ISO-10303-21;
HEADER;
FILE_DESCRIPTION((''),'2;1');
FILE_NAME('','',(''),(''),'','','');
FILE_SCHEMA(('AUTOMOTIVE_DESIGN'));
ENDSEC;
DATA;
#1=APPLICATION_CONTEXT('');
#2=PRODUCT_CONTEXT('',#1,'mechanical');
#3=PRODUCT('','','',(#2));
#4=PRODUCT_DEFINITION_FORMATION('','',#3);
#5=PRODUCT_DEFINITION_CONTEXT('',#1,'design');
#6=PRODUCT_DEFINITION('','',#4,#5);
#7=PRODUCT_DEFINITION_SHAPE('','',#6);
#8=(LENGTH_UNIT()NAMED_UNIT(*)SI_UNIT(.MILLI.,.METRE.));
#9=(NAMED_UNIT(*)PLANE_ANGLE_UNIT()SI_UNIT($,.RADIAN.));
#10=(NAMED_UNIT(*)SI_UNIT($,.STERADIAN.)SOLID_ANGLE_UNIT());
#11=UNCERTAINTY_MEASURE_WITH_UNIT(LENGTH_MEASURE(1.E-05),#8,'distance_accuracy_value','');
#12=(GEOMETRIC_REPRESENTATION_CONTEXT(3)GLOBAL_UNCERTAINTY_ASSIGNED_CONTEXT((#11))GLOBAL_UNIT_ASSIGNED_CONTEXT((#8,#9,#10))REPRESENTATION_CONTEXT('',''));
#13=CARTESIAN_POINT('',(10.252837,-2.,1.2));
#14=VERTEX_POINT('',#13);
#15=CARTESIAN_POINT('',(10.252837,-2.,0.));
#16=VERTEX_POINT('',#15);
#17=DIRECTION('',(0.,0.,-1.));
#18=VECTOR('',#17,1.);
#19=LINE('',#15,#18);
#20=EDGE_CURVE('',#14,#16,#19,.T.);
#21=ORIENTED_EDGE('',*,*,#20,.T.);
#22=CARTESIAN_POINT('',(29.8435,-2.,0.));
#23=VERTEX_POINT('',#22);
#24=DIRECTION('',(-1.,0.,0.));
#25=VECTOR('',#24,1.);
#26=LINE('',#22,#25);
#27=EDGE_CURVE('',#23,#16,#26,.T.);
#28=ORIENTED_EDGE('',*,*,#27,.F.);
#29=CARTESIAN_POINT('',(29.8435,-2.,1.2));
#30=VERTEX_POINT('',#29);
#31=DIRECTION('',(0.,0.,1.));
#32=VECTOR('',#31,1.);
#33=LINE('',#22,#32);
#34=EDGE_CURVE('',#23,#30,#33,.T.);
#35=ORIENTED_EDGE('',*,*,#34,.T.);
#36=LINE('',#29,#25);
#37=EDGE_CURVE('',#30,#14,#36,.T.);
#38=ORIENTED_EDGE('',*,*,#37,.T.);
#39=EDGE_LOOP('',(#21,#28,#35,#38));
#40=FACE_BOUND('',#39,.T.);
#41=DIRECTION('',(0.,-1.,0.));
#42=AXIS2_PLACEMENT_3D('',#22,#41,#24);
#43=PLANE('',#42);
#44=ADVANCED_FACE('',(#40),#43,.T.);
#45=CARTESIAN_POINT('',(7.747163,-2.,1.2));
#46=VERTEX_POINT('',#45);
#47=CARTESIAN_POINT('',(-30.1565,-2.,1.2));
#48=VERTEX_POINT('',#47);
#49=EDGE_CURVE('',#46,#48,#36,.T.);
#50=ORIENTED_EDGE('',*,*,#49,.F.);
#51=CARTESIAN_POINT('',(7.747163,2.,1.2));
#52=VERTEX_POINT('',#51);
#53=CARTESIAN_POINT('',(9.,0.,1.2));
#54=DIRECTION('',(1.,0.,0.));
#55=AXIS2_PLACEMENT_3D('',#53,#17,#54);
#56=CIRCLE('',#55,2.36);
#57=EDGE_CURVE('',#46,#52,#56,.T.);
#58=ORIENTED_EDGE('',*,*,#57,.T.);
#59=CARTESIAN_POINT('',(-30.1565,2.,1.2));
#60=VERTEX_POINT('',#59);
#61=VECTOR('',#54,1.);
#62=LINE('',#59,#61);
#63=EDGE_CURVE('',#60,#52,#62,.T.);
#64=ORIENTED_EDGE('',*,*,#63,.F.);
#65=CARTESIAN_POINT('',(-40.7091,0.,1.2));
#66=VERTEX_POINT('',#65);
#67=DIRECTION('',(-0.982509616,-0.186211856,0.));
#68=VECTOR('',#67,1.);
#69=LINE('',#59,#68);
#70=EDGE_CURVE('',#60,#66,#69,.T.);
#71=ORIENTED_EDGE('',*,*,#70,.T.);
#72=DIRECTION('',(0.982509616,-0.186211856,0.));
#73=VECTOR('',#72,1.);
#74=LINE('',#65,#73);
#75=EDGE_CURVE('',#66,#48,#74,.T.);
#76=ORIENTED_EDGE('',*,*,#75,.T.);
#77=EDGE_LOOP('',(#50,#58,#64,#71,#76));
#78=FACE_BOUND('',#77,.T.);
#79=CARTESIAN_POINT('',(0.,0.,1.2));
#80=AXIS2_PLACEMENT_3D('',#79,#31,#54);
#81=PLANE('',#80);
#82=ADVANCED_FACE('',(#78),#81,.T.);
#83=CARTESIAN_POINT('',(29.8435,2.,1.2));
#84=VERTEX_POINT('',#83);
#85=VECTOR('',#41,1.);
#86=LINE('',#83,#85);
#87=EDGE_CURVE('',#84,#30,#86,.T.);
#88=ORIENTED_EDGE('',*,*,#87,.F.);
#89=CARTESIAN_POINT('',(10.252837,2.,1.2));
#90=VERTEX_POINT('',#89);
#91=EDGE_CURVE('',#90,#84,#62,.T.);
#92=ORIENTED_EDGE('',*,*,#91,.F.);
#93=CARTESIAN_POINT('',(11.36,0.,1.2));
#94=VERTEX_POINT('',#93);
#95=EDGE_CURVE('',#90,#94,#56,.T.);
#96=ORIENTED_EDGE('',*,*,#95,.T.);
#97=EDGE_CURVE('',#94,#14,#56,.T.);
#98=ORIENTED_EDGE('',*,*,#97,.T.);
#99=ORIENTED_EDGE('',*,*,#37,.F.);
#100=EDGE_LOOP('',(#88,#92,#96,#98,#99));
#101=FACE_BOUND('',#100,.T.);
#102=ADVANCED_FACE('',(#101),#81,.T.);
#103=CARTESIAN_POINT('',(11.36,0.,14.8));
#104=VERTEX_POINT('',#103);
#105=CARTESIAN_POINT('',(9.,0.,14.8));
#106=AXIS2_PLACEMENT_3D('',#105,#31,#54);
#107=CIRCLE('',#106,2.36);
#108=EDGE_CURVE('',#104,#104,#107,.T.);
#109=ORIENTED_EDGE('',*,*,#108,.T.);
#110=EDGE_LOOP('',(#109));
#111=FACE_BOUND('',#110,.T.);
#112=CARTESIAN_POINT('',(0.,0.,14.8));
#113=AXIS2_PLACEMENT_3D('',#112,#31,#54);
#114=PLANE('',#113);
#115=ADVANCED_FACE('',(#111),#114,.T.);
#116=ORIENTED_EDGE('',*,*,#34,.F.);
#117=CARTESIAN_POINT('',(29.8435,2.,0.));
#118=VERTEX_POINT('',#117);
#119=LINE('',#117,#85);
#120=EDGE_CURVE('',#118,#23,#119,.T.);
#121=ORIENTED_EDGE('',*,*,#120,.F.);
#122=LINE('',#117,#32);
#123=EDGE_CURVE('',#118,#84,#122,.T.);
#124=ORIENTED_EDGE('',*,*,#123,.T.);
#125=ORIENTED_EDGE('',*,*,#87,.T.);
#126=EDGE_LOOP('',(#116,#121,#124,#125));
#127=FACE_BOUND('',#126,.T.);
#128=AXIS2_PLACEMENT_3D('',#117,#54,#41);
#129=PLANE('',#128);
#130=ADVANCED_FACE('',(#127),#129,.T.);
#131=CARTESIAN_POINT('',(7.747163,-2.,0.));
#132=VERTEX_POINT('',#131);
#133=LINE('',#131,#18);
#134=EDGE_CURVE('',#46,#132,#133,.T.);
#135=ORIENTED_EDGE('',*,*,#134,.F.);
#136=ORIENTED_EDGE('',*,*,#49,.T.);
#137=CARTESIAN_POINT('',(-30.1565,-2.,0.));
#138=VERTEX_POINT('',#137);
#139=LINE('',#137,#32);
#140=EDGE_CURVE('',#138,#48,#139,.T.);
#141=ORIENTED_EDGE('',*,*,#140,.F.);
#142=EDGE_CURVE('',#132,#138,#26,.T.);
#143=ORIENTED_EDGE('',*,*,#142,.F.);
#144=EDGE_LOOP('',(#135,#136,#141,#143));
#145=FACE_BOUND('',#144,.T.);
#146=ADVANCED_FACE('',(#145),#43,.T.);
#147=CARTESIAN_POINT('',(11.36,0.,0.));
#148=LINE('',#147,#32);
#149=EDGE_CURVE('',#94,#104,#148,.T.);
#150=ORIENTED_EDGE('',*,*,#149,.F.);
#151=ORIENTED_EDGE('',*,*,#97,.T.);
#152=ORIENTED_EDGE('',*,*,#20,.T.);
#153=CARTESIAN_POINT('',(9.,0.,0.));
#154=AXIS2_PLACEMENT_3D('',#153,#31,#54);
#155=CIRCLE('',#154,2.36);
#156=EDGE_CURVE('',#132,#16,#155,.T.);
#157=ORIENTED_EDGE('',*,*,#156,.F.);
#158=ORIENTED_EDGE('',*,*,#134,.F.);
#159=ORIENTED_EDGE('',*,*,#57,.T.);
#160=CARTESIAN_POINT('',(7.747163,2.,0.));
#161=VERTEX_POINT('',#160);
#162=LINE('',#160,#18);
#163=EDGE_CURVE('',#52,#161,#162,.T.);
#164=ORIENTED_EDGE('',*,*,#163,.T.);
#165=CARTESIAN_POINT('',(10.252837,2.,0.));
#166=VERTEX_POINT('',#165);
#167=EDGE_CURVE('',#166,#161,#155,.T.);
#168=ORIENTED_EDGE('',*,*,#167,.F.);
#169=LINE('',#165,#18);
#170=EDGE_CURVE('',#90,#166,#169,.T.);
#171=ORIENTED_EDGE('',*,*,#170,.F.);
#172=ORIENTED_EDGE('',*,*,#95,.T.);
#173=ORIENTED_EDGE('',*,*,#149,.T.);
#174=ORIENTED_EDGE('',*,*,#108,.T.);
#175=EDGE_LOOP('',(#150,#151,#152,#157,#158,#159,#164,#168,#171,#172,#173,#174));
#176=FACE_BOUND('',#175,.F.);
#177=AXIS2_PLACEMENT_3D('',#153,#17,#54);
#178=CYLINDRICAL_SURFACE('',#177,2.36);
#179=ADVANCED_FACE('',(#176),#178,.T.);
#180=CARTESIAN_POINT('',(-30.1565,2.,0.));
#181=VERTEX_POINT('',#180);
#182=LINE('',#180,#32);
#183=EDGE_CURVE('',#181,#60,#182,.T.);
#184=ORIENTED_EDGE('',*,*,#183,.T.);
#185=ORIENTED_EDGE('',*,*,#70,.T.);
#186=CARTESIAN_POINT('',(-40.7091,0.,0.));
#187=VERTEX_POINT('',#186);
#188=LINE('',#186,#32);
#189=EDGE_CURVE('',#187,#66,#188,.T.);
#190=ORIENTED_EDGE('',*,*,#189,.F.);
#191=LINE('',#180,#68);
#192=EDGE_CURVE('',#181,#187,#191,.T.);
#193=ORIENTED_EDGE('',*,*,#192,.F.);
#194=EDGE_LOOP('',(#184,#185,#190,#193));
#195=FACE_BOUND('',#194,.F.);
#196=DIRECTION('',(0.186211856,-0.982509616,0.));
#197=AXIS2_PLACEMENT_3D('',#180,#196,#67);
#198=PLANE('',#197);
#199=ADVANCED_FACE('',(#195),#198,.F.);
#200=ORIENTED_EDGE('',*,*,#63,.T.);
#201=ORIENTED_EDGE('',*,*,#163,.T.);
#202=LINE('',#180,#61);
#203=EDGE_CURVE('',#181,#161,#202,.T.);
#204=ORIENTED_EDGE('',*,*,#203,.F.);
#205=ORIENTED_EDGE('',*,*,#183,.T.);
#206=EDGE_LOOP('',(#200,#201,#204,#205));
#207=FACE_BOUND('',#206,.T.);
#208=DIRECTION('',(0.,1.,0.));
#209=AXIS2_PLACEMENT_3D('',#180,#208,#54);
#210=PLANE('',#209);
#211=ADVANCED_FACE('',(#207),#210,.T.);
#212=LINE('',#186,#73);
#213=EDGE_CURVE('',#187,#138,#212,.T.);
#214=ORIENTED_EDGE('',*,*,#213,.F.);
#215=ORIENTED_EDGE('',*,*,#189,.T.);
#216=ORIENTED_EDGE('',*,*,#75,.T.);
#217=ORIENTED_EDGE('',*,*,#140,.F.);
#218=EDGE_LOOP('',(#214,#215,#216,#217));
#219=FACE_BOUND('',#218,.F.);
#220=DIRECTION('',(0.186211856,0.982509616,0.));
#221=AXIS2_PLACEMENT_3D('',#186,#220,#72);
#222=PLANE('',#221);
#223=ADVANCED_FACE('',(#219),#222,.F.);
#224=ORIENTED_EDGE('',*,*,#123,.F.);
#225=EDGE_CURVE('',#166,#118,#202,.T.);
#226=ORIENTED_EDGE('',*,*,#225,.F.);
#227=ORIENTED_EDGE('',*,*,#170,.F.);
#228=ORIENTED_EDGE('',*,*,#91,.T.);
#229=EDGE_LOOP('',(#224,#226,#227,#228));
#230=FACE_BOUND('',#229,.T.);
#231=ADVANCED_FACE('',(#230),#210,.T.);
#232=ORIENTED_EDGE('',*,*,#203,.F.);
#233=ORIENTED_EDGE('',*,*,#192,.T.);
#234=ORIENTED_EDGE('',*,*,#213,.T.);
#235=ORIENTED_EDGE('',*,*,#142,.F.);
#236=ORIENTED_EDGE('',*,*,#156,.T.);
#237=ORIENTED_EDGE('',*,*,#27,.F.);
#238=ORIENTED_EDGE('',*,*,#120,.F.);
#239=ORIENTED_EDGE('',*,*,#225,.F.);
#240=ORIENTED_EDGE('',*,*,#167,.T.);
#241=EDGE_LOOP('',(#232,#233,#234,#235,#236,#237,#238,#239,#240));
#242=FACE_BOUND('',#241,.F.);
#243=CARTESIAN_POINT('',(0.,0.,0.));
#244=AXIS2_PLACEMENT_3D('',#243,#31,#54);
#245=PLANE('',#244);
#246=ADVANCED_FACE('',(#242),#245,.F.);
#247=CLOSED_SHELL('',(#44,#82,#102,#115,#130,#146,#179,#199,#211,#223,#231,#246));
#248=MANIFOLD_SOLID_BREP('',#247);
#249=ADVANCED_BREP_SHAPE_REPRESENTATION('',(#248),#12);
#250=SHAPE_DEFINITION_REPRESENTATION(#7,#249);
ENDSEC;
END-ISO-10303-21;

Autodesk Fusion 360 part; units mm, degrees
sketch "草图1" plane through (0, 0, 0) normal (0, 0, 1) x (1, 0, 0)
  line L0 (29.8435, -2) -> (-30.1565, -2)
  line L1 (-30.1565, -2) -> (-30.1565, 2)
  line L2 (-30.1565, 2) -> (29.8435, 2)
  line L3 (29.8435, 2) -> (29.8435, -2)
  line L4 (-30.1565, 2) -> (-40.7091, 0)
  line L5 (-40.7091, 0) -> (-30.1565, -2)
  point P0 (-0.1565, 0)
  dimension "d1" = 60
  dimension "d2" = 4
extrude "拉伸1" add sketch "草图1" along normal blind 1.2
sketch "草图2" plane through (0, 0, 0) normal (0, 0, 1) x (1, 0, 0)
  circle A0 centre (9, 0) radius 2.36
  dimension "d5" = 4.72
extrude "拉伸2" add sketch "草图2" along normal blind 14.8
